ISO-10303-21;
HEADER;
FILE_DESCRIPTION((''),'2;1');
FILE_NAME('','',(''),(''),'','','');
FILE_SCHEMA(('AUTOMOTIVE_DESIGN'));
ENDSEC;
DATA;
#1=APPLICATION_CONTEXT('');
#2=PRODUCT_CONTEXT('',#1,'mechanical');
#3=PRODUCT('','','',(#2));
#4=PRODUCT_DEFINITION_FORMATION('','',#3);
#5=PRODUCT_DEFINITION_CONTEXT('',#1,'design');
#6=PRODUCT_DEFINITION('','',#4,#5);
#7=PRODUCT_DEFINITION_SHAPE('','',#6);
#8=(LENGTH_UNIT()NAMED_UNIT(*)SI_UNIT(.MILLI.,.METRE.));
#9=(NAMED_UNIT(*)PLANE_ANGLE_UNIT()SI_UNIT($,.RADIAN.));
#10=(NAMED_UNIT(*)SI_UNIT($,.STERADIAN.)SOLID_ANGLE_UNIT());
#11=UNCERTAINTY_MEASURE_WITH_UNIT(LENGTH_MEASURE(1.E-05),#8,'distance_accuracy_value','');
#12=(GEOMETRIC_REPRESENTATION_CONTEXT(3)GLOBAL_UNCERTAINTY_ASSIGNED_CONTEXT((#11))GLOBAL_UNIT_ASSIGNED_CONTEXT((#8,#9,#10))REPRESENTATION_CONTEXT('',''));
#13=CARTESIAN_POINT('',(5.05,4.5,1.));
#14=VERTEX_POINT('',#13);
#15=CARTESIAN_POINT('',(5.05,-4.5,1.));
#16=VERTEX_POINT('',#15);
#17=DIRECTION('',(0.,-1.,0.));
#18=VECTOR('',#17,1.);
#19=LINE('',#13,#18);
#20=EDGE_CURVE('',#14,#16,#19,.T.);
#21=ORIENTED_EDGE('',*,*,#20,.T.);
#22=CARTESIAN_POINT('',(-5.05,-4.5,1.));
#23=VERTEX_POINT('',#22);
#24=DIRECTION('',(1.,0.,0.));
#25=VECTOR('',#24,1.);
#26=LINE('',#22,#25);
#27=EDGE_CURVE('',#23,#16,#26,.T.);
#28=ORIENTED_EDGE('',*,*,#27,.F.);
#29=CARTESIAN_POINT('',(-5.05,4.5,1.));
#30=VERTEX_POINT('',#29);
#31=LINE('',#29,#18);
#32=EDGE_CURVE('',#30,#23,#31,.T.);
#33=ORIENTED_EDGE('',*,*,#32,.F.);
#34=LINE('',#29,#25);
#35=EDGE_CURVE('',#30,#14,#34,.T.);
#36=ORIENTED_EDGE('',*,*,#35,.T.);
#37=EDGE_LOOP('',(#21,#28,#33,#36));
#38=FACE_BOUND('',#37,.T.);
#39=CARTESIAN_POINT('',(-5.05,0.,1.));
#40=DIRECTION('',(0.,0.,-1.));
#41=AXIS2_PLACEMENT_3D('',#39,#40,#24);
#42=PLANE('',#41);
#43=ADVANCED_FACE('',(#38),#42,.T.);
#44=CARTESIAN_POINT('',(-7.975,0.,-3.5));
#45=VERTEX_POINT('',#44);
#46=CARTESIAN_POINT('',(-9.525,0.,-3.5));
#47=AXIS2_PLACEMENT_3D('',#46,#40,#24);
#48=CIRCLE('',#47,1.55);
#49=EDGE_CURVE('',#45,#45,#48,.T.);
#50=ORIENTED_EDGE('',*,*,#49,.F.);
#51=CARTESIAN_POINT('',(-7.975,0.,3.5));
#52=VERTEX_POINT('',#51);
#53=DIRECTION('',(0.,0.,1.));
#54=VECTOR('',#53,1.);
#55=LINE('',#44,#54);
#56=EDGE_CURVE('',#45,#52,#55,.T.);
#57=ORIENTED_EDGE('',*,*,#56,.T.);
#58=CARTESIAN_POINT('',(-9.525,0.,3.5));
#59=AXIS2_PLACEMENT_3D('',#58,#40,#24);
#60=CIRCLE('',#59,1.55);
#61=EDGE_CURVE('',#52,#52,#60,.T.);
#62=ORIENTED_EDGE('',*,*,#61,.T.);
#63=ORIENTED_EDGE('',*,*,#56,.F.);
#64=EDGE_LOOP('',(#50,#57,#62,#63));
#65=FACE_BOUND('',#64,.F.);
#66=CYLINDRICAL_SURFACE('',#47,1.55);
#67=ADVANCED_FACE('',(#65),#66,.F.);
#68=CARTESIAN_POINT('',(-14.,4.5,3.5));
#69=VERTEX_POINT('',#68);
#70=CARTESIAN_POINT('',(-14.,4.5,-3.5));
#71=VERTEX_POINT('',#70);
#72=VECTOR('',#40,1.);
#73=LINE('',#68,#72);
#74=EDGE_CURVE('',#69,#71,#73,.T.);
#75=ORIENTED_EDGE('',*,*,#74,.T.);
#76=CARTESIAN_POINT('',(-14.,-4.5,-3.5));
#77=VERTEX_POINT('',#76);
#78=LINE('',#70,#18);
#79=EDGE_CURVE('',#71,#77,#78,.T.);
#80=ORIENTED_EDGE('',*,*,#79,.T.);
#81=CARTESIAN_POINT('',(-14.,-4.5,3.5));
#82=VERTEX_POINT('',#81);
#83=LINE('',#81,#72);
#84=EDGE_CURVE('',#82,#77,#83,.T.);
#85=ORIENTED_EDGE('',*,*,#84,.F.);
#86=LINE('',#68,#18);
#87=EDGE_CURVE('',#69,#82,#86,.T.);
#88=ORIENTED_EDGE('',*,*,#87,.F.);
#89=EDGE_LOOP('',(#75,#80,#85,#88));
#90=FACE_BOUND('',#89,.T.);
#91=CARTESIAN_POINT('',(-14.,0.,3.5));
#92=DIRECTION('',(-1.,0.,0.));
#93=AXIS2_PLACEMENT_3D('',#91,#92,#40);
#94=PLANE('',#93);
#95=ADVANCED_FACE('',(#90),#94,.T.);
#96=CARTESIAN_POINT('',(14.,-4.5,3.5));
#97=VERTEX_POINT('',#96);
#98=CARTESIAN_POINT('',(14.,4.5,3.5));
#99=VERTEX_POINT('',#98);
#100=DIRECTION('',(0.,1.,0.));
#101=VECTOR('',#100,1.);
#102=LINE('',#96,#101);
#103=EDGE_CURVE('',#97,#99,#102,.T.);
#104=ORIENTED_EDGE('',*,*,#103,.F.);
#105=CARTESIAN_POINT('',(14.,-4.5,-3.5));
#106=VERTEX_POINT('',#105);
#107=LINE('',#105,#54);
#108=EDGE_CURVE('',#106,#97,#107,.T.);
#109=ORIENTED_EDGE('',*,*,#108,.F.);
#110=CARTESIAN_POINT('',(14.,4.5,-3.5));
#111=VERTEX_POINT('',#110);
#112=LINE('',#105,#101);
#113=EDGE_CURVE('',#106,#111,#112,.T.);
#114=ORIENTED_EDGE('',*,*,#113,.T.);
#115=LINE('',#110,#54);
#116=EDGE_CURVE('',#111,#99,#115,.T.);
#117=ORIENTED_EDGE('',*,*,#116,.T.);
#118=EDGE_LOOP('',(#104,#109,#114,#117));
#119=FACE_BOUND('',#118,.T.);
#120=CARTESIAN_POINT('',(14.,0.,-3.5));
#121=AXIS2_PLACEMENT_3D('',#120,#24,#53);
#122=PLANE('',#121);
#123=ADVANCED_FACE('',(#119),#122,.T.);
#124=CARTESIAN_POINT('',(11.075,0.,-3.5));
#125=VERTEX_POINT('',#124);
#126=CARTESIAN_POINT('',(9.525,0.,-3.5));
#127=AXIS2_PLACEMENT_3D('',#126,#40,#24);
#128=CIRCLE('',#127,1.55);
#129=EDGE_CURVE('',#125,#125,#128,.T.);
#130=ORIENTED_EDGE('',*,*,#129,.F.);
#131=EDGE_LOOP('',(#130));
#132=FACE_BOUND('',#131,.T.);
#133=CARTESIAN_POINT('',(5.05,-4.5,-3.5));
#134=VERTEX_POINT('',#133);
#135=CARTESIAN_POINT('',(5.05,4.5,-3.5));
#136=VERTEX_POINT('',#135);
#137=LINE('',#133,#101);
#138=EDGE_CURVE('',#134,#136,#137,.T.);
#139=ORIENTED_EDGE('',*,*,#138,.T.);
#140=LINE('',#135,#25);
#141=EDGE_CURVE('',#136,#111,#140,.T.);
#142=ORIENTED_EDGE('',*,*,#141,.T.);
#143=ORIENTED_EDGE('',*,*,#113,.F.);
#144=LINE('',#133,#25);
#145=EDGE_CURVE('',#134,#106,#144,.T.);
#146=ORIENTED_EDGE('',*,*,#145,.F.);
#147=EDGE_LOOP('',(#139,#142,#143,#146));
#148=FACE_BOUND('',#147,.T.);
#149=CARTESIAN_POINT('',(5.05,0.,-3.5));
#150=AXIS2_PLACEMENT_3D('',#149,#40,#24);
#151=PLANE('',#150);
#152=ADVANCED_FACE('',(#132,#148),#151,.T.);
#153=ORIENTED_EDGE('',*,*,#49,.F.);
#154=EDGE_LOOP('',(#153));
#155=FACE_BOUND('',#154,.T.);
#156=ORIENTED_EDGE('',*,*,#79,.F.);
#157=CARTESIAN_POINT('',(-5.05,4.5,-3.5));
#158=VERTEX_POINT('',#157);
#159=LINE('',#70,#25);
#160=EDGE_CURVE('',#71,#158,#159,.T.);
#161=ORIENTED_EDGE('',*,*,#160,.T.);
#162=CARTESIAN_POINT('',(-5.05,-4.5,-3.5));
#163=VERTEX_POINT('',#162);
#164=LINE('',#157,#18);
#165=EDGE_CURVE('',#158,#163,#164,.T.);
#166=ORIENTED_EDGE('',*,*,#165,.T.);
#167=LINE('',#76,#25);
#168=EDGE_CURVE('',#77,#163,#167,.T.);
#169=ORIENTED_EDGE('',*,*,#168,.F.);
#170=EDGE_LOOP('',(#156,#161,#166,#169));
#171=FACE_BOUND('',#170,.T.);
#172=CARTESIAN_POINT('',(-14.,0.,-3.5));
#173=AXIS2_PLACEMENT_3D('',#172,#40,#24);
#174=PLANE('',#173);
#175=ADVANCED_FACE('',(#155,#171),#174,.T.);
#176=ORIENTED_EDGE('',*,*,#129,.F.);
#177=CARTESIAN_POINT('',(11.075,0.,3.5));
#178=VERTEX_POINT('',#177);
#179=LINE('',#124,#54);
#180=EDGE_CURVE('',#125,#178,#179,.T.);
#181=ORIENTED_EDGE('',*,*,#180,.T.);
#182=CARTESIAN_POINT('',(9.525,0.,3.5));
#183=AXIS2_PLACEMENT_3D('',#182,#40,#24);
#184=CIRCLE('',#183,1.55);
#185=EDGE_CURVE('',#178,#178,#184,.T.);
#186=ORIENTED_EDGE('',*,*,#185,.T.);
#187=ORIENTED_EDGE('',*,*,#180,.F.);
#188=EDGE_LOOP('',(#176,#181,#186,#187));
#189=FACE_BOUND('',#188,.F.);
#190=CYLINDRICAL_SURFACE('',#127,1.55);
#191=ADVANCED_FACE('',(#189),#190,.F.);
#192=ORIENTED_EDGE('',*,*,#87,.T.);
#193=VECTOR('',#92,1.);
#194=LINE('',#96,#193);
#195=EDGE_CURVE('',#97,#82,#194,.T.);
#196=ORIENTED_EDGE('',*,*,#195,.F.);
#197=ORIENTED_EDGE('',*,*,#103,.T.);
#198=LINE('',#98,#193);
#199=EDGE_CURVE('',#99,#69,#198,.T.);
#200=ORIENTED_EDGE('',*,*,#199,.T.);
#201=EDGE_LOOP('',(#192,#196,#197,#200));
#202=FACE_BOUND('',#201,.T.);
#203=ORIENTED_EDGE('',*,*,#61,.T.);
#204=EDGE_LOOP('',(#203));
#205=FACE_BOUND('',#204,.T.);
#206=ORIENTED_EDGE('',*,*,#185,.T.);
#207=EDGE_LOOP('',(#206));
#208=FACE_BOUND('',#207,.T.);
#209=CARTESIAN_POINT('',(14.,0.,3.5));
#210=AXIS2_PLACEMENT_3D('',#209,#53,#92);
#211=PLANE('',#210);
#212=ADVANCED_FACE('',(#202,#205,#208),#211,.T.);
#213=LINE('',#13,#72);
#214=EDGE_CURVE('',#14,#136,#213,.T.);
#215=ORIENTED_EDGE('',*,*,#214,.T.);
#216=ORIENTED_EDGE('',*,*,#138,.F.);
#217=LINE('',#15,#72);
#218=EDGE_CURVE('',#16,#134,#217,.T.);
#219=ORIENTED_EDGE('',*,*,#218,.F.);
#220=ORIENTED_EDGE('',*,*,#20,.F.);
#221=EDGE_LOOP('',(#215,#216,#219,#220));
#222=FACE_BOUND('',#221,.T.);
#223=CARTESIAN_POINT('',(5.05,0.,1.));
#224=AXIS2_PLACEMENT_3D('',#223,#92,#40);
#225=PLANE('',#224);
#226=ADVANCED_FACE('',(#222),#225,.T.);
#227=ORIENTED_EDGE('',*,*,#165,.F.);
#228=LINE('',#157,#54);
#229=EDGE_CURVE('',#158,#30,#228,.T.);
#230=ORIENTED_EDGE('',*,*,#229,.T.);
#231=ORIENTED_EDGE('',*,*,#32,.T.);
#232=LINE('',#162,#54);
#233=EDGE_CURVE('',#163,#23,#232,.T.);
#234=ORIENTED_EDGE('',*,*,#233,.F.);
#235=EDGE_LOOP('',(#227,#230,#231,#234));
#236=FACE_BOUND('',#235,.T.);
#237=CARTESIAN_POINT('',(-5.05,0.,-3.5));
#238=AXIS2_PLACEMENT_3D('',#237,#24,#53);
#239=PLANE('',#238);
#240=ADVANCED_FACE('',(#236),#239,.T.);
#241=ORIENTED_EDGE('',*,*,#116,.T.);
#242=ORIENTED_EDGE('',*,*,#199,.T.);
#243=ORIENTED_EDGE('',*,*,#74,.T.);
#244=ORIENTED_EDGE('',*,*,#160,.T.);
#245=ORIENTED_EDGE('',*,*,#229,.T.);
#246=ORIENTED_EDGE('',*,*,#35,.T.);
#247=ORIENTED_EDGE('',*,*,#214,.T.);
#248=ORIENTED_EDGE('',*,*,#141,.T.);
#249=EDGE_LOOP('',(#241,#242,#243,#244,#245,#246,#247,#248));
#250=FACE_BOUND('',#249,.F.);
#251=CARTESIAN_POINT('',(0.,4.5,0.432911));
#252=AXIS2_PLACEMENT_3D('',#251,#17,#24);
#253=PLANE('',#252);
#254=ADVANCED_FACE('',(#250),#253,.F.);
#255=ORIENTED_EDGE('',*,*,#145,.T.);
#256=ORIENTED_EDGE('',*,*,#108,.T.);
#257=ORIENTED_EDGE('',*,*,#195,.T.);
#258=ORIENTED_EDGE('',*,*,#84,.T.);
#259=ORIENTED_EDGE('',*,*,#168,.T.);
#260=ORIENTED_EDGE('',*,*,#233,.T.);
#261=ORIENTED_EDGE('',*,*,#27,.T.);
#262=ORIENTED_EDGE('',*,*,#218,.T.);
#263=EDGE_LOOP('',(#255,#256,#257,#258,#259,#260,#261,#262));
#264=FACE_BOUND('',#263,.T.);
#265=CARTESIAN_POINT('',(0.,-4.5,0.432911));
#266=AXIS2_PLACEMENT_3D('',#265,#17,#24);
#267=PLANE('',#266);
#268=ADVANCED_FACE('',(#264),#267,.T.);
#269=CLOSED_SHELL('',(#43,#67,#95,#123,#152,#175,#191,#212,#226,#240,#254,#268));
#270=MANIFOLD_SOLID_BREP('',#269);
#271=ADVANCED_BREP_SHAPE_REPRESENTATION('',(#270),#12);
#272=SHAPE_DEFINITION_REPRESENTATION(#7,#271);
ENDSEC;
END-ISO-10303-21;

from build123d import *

# Parameters (mm, degrees)
F1_DEPTH = 4.5
F2_R     = 1.55
F3_DEPTH = 7


with BuildPart() as f1:
    # F0 (on Front) → F1 (new body, symmetric)
    with BuildSketch(Plane.XZ):
        Polygon((14, 3.5), (0, 3.5), (-14, 3.5), (-14, -3.5), (-5.05, -3.5), (-5.05, 1), (0, 1), (5.05, 1), (5.05, -3.5), (14, -3.5), align=None)
    extrude(amount=F1_DEPTH, both=True)

    # F2 (on face) → F3 (cut, through all)
    with BuildSketch(Plane(origin=(0, 0, -3.5), x_dir=(1, 0, 0), z_dir=(0, 0, -1))):
        with Locations((9.525, 0)):
            Circle(F2_R)
        with Locations((-9.525, 0)):
            Circle(F2_R)
    extrude(amount=-F3_DEPTH, mode=Mode.SUBTRACT)


solid = f1.part
